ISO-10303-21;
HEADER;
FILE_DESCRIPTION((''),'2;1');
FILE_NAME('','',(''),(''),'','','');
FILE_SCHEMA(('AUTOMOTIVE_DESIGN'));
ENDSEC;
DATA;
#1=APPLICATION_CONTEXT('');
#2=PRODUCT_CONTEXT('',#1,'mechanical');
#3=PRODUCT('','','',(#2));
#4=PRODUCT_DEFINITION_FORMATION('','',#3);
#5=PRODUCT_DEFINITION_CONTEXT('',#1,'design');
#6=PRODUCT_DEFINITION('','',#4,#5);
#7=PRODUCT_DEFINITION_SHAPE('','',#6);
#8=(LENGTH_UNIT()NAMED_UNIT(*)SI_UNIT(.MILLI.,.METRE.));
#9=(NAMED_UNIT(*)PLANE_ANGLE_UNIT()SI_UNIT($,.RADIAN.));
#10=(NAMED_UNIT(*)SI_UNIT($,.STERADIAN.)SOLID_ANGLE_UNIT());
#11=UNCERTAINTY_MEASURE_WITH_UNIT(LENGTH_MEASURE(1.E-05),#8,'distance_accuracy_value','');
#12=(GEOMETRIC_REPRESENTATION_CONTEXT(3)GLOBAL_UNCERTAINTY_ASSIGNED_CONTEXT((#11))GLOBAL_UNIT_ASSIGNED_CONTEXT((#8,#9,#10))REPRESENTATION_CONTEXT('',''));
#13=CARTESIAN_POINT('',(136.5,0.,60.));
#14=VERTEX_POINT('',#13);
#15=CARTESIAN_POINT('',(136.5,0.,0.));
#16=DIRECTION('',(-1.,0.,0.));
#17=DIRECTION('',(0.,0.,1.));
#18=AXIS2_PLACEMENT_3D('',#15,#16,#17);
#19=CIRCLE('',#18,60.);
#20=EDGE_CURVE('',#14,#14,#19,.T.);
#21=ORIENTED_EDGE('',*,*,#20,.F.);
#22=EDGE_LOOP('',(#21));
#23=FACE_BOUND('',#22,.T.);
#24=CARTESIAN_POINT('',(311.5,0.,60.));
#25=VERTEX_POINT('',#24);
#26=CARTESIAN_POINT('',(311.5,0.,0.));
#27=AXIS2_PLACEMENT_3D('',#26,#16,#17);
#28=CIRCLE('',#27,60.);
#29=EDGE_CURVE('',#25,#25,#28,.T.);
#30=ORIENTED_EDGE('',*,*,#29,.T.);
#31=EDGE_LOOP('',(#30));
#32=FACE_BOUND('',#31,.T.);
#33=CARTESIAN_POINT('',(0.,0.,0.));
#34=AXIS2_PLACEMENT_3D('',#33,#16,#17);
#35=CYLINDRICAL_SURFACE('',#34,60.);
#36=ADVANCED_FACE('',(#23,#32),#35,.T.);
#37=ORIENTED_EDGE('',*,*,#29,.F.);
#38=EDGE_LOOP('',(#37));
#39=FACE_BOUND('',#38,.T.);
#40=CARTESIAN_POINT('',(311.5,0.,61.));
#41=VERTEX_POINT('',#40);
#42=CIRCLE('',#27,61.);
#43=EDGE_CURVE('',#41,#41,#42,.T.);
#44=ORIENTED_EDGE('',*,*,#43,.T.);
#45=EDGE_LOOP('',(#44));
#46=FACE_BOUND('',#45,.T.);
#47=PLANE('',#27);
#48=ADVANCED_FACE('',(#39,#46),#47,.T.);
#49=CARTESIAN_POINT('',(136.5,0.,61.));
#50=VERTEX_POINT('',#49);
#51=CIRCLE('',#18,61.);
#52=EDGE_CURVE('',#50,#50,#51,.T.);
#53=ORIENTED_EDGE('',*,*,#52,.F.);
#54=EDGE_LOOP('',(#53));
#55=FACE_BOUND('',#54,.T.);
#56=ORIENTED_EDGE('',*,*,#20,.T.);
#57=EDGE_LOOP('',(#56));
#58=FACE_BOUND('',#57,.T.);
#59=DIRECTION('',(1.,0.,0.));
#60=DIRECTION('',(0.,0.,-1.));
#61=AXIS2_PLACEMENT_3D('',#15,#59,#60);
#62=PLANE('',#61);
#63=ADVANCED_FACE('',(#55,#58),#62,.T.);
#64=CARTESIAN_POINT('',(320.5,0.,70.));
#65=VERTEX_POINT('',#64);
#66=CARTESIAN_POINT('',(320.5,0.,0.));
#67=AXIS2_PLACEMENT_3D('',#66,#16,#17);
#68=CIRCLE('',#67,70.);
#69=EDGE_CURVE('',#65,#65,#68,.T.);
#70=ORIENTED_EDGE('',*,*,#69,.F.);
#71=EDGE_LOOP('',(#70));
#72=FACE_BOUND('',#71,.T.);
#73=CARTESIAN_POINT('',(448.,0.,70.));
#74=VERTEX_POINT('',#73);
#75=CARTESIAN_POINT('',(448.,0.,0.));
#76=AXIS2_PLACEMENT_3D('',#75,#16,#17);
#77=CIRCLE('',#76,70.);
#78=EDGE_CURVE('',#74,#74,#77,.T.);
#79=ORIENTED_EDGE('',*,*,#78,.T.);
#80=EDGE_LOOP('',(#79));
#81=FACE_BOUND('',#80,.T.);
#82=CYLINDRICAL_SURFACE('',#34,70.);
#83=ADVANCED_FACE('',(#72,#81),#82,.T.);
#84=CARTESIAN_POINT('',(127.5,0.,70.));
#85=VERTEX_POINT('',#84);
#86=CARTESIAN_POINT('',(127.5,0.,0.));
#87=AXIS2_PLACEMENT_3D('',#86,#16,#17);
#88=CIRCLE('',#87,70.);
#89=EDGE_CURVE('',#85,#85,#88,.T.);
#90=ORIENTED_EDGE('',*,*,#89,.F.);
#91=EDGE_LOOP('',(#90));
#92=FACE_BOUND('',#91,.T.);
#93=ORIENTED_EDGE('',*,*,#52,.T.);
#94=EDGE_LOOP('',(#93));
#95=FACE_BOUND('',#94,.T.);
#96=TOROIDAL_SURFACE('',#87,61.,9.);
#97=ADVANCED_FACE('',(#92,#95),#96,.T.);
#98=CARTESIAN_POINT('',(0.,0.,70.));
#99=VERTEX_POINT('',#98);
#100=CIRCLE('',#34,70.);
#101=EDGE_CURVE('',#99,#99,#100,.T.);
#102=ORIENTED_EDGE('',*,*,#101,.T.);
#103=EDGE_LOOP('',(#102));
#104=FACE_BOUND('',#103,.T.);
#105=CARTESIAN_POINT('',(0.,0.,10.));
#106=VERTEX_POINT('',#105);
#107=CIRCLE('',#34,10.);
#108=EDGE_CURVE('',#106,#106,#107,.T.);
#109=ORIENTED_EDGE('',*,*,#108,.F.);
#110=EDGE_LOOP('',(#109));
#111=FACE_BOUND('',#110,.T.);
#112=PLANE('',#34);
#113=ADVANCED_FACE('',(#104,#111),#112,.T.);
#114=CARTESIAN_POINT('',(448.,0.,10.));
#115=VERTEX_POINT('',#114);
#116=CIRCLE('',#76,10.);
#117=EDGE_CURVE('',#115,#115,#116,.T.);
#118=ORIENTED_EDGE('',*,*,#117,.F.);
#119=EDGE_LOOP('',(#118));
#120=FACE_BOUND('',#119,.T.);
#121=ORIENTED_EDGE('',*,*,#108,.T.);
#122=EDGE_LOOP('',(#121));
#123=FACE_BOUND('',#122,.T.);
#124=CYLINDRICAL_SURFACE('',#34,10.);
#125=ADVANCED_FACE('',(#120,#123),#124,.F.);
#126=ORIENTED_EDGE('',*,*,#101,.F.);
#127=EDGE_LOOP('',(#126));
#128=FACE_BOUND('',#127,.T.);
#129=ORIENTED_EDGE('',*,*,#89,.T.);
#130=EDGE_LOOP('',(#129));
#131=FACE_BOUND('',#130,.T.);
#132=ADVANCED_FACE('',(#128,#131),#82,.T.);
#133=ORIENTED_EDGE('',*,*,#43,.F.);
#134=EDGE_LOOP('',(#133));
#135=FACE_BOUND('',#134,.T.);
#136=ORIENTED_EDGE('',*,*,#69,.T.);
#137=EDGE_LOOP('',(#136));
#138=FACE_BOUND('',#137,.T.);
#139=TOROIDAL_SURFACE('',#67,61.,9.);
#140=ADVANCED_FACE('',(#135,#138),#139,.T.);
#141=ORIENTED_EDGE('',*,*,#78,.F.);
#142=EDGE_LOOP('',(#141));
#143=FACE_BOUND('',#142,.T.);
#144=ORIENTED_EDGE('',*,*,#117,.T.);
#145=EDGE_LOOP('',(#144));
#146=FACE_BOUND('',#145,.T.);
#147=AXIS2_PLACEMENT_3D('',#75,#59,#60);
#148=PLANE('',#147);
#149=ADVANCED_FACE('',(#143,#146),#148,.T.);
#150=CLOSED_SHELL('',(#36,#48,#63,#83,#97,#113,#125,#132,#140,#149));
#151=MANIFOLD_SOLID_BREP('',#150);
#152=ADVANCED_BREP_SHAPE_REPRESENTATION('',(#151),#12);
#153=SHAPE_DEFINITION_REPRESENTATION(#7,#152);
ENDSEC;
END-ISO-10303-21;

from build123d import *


with BuildPart() as part:
    # Esquisse1 → Révolution1 (revolve)
    with BuildSketch(Plane.XY, mode=Mode.PRIVATE) as r_volution1_sk:
        with BuildLine():
            Line((0, 70), (0, 10))
            Line((0, 10), (448, 10))
            Line((448, 10), (448, 70))
            Line((448, 70), (320.5, 70))
            ThreePointArc((320.5, 70), (314.136038969, 67.363961031), (311.5, 61))
            Line((311.5, 61), (311.5, 60))
            Line((311.5, 60), (136.5, 60))
            Line((136.5, 60), (136.5, 61))
            ThreePointArc((136.5, 61), (133.863961031, 67.363961031), (127.5, 70))
            Line((127.5, 70), (0, 70))
        make_face()
    revolve(r_volution1_sk.sketch.rotate(Axis((0, 0, 0), (1, 0, 0)), 90), axis=Axis((0, 0, 0), (1, 0, 0)))


solid = part.part
